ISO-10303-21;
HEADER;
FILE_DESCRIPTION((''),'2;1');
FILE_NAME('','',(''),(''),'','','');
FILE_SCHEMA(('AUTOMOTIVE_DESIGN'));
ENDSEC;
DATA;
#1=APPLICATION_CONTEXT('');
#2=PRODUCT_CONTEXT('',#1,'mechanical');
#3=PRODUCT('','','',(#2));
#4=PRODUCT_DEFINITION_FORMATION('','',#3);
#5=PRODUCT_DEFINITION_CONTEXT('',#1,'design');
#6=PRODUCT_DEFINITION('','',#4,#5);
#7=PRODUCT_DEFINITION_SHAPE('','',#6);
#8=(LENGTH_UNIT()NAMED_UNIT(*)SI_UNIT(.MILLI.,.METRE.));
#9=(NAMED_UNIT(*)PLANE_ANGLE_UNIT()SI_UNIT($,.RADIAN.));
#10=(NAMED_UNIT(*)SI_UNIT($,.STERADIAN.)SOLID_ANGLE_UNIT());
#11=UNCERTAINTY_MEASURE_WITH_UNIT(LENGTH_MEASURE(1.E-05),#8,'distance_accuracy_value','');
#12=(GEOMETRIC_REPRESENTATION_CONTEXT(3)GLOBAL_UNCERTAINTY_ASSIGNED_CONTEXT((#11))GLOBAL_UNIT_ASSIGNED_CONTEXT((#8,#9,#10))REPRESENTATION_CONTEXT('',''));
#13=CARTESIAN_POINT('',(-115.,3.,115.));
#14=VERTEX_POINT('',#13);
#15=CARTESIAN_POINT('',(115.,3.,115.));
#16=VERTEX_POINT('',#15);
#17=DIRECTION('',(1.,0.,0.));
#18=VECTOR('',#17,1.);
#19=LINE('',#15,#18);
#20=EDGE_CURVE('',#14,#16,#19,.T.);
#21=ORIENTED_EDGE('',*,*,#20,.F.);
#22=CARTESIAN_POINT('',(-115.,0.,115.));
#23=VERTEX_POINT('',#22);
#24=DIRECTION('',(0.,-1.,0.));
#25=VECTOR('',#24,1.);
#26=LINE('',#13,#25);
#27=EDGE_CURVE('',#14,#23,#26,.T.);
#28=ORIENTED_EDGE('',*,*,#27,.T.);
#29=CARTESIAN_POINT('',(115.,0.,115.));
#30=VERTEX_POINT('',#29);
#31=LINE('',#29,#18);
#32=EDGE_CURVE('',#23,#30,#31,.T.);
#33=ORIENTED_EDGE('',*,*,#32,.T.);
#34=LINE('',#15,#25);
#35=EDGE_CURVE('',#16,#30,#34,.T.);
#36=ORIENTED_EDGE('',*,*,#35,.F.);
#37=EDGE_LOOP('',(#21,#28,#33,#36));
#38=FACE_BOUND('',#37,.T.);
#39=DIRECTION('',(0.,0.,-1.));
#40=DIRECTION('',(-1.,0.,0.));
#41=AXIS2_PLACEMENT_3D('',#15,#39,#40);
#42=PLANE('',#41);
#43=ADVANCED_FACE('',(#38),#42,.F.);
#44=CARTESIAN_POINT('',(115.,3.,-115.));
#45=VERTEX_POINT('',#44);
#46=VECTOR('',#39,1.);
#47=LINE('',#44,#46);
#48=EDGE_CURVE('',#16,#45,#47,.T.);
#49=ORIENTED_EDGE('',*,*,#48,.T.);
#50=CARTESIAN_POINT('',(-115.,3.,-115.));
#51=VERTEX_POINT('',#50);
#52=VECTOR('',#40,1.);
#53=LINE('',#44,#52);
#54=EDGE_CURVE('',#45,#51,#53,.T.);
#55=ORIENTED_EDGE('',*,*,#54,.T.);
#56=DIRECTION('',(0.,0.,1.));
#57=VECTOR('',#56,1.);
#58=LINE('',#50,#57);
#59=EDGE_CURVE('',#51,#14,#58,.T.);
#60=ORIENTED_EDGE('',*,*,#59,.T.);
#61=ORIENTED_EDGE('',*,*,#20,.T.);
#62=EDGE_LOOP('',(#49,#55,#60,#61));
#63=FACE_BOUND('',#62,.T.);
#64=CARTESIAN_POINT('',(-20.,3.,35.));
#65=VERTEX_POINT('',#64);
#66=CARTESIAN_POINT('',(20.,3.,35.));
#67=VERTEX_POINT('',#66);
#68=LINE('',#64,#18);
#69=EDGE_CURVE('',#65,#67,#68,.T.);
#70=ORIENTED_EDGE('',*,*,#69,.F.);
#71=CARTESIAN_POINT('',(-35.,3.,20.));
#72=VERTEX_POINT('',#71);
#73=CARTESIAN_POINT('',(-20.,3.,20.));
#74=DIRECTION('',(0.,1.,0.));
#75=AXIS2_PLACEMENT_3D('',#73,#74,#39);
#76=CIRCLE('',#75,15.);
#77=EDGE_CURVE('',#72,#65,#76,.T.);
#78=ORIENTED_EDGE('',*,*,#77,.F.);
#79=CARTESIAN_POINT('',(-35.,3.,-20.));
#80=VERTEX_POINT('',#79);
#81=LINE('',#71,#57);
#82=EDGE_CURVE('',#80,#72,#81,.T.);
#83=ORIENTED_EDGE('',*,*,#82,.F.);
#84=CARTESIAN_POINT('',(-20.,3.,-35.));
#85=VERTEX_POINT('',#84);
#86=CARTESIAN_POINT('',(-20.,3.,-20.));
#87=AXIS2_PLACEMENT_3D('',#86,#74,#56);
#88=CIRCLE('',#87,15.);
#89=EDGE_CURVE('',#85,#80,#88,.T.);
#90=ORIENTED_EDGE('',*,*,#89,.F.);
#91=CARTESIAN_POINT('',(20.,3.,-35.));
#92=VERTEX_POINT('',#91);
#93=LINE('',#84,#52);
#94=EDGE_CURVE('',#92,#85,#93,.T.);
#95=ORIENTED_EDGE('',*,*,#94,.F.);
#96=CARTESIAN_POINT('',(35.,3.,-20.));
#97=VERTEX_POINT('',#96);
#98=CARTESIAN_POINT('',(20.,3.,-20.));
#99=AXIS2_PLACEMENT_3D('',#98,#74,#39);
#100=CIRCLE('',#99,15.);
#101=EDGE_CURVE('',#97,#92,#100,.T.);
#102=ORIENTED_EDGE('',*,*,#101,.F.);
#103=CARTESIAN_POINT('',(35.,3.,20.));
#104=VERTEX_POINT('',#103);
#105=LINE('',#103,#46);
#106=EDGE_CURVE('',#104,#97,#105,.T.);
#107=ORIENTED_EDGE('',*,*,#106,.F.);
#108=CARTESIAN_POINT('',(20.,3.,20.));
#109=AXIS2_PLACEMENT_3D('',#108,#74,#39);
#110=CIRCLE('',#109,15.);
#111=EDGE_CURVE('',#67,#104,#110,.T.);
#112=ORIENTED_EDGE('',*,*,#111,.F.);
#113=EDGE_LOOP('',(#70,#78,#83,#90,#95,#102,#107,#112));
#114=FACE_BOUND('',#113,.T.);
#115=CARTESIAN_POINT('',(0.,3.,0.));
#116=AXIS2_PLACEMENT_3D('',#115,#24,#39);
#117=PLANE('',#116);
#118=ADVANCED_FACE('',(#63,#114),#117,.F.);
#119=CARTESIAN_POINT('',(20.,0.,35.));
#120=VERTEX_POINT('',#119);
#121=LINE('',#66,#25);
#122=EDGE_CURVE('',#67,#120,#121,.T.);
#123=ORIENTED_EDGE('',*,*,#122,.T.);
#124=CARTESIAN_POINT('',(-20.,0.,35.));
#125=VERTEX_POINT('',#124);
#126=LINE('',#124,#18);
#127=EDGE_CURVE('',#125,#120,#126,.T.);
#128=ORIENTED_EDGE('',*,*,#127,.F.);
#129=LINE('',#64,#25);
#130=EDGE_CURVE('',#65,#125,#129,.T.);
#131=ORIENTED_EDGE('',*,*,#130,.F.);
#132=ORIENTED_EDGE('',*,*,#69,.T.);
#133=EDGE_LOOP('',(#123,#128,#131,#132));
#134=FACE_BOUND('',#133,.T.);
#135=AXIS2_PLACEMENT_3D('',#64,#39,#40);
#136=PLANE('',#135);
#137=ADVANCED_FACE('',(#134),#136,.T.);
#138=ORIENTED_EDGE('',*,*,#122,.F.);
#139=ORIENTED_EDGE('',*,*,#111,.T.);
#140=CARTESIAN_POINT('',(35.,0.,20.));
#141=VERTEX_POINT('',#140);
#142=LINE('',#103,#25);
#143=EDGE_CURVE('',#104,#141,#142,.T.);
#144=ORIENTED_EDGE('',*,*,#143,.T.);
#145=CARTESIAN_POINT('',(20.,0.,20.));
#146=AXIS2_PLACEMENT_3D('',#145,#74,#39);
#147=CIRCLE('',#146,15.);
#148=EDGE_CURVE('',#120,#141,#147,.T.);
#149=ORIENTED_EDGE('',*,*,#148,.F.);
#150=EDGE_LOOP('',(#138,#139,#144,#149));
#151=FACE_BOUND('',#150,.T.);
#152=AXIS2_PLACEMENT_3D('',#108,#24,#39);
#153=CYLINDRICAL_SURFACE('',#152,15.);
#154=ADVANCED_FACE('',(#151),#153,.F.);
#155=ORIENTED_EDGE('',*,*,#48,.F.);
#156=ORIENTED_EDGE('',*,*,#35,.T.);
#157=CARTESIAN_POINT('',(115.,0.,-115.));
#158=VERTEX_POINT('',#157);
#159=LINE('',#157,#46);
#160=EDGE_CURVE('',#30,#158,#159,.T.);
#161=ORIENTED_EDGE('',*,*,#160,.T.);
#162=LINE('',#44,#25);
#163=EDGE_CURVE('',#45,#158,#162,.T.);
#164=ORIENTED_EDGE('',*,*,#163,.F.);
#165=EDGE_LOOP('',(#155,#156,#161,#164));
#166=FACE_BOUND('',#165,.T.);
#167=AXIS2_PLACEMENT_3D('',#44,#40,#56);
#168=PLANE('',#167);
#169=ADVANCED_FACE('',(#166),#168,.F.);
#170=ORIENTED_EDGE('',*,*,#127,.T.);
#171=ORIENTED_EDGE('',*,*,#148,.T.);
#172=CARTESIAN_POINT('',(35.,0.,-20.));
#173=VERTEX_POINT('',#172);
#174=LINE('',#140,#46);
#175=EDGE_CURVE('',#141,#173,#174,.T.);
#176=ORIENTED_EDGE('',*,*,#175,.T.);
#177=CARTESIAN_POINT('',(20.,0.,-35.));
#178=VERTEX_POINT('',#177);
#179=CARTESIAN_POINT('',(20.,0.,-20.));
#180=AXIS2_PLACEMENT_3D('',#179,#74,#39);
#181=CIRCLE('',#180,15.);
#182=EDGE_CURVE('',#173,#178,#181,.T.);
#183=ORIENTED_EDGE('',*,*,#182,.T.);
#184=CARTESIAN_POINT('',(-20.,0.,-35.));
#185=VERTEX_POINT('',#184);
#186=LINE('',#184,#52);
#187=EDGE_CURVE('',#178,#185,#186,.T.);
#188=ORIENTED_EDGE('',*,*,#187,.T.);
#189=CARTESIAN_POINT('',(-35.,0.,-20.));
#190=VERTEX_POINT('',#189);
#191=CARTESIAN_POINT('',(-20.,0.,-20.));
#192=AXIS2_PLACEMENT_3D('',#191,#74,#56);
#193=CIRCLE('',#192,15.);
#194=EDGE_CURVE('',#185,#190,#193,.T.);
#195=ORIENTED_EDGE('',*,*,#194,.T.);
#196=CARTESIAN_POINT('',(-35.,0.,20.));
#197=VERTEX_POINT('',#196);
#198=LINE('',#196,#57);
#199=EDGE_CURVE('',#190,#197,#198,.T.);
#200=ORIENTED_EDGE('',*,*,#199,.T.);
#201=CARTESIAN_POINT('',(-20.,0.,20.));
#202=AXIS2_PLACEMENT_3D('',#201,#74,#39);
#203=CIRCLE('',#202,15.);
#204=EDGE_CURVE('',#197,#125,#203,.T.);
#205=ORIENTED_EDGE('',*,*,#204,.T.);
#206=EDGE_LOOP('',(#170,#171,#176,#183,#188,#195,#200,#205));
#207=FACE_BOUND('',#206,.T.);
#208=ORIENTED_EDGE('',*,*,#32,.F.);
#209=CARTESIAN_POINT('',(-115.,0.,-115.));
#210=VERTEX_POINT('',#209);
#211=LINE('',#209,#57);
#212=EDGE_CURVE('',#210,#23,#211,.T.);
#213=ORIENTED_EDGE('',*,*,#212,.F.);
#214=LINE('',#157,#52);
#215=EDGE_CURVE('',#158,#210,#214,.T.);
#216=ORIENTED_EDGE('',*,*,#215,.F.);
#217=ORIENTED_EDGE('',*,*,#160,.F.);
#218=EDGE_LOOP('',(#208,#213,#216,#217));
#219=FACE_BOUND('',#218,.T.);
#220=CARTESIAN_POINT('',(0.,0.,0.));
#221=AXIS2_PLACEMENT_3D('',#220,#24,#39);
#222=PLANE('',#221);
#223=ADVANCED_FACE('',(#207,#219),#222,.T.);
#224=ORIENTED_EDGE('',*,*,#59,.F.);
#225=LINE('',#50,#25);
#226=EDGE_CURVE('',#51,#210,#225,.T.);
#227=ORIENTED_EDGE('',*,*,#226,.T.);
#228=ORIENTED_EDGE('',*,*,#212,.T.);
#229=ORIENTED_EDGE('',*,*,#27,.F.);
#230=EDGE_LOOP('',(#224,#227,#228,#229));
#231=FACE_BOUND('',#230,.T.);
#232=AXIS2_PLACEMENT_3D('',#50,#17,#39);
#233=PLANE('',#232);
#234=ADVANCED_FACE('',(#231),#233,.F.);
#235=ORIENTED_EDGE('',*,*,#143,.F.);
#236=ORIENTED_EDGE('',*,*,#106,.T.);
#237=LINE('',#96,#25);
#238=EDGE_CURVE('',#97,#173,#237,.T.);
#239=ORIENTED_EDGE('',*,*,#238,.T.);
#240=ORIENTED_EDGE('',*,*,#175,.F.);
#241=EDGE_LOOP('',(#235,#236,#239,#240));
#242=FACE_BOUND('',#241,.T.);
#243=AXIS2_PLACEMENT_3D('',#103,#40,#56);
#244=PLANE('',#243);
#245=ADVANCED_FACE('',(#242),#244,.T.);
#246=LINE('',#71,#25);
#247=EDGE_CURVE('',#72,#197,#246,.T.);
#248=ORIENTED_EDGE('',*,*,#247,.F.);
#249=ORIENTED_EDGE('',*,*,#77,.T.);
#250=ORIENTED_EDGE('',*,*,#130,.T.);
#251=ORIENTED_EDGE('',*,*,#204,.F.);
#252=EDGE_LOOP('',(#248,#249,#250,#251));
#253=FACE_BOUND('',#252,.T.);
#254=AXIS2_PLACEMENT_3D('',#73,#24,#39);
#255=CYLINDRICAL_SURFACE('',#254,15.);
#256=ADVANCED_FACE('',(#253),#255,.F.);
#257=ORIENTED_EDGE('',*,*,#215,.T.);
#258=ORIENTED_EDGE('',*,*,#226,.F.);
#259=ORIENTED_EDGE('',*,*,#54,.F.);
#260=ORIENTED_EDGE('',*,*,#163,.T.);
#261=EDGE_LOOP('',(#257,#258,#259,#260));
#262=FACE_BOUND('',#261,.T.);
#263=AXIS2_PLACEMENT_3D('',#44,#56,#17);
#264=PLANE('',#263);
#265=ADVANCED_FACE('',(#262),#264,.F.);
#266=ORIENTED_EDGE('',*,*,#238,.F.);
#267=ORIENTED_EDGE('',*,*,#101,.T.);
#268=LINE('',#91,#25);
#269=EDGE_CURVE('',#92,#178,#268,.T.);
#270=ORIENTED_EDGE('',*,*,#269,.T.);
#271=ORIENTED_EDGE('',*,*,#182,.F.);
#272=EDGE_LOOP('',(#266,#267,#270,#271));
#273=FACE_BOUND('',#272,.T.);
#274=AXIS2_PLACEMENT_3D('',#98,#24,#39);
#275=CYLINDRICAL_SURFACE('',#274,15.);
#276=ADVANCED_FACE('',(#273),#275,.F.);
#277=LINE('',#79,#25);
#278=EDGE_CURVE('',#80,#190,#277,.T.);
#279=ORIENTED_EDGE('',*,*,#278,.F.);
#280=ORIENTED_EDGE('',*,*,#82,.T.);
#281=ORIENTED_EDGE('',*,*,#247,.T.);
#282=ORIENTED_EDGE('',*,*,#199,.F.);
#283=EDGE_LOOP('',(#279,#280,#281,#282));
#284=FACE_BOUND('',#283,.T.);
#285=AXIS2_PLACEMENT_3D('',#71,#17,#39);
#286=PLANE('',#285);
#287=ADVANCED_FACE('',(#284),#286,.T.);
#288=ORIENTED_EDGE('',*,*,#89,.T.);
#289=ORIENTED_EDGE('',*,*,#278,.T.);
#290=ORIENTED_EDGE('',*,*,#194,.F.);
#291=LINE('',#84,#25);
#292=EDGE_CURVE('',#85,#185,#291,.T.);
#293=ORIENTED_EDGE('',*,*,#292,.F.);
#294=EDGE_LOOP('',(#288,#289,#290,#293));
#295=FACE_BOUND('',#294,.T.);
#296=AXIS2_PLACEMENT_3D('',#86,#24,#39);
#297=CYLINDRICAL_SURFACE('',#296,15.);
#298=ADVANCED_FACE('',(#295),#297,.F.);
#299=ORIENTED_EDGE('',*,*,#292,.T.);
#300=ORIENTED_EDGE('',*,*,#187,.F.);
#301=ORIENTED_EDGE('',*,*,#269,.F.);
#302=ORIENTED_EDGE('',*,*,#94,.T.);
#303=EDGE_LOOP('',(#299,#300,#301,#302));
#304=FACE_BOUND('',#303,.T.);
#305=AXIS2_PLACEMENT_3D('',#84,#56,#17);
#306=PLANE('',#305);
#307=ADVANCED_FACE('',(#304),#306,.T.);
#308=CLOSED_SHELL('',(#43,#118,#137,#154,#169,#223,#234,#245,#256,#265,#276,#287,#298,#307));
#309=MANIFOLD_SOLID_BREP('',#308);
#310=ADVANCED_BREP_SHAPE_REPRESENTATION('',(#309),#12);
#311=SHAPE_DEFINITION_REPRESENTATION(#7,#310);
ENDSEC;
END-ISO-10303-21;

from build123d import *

# Parameters (mm, degrees)
SKETCH1_W           = 230
SKETCH1_H           = 230
BOSS_EXTRUDE1_DEPTH = 3


with BuildPart() as part:
    # Sketch1 → Boss-Extrude1 (new body)
    with BuildSketch(Plane(origin=(0, 0, 0), x_dir=(1, 0, 0), z_dir=(0, 1, 0))):
        Rectangle(SKETCH1_W, SKETCH1_H)
        with BuildLine():
            Line((-20, -35), (20, -35))
            ThreePointArc((20, -35), (30.606601718, -30.606601718), (35, -20))
            Line((35, -20), (35, 20))
            ThreePointArc((35, 20), (30.606601718, 30.606601718), (20, 35))
            Line((20, 35), (-20, 35))
            ThreePointArc((-20, 35), (-30.606601718, 30.606601718), (-35, 20))
            Line((-35, 20), (-35, -20))
            ThreePointArc((-35, -20), (-30.606601718, -30.606601718), (-20, -35))
        make_face(mode=Mode.SUBTRACT)
    extrude(amount=BOSS_EXTRUDE1_DEPTH)


solid = part.part
